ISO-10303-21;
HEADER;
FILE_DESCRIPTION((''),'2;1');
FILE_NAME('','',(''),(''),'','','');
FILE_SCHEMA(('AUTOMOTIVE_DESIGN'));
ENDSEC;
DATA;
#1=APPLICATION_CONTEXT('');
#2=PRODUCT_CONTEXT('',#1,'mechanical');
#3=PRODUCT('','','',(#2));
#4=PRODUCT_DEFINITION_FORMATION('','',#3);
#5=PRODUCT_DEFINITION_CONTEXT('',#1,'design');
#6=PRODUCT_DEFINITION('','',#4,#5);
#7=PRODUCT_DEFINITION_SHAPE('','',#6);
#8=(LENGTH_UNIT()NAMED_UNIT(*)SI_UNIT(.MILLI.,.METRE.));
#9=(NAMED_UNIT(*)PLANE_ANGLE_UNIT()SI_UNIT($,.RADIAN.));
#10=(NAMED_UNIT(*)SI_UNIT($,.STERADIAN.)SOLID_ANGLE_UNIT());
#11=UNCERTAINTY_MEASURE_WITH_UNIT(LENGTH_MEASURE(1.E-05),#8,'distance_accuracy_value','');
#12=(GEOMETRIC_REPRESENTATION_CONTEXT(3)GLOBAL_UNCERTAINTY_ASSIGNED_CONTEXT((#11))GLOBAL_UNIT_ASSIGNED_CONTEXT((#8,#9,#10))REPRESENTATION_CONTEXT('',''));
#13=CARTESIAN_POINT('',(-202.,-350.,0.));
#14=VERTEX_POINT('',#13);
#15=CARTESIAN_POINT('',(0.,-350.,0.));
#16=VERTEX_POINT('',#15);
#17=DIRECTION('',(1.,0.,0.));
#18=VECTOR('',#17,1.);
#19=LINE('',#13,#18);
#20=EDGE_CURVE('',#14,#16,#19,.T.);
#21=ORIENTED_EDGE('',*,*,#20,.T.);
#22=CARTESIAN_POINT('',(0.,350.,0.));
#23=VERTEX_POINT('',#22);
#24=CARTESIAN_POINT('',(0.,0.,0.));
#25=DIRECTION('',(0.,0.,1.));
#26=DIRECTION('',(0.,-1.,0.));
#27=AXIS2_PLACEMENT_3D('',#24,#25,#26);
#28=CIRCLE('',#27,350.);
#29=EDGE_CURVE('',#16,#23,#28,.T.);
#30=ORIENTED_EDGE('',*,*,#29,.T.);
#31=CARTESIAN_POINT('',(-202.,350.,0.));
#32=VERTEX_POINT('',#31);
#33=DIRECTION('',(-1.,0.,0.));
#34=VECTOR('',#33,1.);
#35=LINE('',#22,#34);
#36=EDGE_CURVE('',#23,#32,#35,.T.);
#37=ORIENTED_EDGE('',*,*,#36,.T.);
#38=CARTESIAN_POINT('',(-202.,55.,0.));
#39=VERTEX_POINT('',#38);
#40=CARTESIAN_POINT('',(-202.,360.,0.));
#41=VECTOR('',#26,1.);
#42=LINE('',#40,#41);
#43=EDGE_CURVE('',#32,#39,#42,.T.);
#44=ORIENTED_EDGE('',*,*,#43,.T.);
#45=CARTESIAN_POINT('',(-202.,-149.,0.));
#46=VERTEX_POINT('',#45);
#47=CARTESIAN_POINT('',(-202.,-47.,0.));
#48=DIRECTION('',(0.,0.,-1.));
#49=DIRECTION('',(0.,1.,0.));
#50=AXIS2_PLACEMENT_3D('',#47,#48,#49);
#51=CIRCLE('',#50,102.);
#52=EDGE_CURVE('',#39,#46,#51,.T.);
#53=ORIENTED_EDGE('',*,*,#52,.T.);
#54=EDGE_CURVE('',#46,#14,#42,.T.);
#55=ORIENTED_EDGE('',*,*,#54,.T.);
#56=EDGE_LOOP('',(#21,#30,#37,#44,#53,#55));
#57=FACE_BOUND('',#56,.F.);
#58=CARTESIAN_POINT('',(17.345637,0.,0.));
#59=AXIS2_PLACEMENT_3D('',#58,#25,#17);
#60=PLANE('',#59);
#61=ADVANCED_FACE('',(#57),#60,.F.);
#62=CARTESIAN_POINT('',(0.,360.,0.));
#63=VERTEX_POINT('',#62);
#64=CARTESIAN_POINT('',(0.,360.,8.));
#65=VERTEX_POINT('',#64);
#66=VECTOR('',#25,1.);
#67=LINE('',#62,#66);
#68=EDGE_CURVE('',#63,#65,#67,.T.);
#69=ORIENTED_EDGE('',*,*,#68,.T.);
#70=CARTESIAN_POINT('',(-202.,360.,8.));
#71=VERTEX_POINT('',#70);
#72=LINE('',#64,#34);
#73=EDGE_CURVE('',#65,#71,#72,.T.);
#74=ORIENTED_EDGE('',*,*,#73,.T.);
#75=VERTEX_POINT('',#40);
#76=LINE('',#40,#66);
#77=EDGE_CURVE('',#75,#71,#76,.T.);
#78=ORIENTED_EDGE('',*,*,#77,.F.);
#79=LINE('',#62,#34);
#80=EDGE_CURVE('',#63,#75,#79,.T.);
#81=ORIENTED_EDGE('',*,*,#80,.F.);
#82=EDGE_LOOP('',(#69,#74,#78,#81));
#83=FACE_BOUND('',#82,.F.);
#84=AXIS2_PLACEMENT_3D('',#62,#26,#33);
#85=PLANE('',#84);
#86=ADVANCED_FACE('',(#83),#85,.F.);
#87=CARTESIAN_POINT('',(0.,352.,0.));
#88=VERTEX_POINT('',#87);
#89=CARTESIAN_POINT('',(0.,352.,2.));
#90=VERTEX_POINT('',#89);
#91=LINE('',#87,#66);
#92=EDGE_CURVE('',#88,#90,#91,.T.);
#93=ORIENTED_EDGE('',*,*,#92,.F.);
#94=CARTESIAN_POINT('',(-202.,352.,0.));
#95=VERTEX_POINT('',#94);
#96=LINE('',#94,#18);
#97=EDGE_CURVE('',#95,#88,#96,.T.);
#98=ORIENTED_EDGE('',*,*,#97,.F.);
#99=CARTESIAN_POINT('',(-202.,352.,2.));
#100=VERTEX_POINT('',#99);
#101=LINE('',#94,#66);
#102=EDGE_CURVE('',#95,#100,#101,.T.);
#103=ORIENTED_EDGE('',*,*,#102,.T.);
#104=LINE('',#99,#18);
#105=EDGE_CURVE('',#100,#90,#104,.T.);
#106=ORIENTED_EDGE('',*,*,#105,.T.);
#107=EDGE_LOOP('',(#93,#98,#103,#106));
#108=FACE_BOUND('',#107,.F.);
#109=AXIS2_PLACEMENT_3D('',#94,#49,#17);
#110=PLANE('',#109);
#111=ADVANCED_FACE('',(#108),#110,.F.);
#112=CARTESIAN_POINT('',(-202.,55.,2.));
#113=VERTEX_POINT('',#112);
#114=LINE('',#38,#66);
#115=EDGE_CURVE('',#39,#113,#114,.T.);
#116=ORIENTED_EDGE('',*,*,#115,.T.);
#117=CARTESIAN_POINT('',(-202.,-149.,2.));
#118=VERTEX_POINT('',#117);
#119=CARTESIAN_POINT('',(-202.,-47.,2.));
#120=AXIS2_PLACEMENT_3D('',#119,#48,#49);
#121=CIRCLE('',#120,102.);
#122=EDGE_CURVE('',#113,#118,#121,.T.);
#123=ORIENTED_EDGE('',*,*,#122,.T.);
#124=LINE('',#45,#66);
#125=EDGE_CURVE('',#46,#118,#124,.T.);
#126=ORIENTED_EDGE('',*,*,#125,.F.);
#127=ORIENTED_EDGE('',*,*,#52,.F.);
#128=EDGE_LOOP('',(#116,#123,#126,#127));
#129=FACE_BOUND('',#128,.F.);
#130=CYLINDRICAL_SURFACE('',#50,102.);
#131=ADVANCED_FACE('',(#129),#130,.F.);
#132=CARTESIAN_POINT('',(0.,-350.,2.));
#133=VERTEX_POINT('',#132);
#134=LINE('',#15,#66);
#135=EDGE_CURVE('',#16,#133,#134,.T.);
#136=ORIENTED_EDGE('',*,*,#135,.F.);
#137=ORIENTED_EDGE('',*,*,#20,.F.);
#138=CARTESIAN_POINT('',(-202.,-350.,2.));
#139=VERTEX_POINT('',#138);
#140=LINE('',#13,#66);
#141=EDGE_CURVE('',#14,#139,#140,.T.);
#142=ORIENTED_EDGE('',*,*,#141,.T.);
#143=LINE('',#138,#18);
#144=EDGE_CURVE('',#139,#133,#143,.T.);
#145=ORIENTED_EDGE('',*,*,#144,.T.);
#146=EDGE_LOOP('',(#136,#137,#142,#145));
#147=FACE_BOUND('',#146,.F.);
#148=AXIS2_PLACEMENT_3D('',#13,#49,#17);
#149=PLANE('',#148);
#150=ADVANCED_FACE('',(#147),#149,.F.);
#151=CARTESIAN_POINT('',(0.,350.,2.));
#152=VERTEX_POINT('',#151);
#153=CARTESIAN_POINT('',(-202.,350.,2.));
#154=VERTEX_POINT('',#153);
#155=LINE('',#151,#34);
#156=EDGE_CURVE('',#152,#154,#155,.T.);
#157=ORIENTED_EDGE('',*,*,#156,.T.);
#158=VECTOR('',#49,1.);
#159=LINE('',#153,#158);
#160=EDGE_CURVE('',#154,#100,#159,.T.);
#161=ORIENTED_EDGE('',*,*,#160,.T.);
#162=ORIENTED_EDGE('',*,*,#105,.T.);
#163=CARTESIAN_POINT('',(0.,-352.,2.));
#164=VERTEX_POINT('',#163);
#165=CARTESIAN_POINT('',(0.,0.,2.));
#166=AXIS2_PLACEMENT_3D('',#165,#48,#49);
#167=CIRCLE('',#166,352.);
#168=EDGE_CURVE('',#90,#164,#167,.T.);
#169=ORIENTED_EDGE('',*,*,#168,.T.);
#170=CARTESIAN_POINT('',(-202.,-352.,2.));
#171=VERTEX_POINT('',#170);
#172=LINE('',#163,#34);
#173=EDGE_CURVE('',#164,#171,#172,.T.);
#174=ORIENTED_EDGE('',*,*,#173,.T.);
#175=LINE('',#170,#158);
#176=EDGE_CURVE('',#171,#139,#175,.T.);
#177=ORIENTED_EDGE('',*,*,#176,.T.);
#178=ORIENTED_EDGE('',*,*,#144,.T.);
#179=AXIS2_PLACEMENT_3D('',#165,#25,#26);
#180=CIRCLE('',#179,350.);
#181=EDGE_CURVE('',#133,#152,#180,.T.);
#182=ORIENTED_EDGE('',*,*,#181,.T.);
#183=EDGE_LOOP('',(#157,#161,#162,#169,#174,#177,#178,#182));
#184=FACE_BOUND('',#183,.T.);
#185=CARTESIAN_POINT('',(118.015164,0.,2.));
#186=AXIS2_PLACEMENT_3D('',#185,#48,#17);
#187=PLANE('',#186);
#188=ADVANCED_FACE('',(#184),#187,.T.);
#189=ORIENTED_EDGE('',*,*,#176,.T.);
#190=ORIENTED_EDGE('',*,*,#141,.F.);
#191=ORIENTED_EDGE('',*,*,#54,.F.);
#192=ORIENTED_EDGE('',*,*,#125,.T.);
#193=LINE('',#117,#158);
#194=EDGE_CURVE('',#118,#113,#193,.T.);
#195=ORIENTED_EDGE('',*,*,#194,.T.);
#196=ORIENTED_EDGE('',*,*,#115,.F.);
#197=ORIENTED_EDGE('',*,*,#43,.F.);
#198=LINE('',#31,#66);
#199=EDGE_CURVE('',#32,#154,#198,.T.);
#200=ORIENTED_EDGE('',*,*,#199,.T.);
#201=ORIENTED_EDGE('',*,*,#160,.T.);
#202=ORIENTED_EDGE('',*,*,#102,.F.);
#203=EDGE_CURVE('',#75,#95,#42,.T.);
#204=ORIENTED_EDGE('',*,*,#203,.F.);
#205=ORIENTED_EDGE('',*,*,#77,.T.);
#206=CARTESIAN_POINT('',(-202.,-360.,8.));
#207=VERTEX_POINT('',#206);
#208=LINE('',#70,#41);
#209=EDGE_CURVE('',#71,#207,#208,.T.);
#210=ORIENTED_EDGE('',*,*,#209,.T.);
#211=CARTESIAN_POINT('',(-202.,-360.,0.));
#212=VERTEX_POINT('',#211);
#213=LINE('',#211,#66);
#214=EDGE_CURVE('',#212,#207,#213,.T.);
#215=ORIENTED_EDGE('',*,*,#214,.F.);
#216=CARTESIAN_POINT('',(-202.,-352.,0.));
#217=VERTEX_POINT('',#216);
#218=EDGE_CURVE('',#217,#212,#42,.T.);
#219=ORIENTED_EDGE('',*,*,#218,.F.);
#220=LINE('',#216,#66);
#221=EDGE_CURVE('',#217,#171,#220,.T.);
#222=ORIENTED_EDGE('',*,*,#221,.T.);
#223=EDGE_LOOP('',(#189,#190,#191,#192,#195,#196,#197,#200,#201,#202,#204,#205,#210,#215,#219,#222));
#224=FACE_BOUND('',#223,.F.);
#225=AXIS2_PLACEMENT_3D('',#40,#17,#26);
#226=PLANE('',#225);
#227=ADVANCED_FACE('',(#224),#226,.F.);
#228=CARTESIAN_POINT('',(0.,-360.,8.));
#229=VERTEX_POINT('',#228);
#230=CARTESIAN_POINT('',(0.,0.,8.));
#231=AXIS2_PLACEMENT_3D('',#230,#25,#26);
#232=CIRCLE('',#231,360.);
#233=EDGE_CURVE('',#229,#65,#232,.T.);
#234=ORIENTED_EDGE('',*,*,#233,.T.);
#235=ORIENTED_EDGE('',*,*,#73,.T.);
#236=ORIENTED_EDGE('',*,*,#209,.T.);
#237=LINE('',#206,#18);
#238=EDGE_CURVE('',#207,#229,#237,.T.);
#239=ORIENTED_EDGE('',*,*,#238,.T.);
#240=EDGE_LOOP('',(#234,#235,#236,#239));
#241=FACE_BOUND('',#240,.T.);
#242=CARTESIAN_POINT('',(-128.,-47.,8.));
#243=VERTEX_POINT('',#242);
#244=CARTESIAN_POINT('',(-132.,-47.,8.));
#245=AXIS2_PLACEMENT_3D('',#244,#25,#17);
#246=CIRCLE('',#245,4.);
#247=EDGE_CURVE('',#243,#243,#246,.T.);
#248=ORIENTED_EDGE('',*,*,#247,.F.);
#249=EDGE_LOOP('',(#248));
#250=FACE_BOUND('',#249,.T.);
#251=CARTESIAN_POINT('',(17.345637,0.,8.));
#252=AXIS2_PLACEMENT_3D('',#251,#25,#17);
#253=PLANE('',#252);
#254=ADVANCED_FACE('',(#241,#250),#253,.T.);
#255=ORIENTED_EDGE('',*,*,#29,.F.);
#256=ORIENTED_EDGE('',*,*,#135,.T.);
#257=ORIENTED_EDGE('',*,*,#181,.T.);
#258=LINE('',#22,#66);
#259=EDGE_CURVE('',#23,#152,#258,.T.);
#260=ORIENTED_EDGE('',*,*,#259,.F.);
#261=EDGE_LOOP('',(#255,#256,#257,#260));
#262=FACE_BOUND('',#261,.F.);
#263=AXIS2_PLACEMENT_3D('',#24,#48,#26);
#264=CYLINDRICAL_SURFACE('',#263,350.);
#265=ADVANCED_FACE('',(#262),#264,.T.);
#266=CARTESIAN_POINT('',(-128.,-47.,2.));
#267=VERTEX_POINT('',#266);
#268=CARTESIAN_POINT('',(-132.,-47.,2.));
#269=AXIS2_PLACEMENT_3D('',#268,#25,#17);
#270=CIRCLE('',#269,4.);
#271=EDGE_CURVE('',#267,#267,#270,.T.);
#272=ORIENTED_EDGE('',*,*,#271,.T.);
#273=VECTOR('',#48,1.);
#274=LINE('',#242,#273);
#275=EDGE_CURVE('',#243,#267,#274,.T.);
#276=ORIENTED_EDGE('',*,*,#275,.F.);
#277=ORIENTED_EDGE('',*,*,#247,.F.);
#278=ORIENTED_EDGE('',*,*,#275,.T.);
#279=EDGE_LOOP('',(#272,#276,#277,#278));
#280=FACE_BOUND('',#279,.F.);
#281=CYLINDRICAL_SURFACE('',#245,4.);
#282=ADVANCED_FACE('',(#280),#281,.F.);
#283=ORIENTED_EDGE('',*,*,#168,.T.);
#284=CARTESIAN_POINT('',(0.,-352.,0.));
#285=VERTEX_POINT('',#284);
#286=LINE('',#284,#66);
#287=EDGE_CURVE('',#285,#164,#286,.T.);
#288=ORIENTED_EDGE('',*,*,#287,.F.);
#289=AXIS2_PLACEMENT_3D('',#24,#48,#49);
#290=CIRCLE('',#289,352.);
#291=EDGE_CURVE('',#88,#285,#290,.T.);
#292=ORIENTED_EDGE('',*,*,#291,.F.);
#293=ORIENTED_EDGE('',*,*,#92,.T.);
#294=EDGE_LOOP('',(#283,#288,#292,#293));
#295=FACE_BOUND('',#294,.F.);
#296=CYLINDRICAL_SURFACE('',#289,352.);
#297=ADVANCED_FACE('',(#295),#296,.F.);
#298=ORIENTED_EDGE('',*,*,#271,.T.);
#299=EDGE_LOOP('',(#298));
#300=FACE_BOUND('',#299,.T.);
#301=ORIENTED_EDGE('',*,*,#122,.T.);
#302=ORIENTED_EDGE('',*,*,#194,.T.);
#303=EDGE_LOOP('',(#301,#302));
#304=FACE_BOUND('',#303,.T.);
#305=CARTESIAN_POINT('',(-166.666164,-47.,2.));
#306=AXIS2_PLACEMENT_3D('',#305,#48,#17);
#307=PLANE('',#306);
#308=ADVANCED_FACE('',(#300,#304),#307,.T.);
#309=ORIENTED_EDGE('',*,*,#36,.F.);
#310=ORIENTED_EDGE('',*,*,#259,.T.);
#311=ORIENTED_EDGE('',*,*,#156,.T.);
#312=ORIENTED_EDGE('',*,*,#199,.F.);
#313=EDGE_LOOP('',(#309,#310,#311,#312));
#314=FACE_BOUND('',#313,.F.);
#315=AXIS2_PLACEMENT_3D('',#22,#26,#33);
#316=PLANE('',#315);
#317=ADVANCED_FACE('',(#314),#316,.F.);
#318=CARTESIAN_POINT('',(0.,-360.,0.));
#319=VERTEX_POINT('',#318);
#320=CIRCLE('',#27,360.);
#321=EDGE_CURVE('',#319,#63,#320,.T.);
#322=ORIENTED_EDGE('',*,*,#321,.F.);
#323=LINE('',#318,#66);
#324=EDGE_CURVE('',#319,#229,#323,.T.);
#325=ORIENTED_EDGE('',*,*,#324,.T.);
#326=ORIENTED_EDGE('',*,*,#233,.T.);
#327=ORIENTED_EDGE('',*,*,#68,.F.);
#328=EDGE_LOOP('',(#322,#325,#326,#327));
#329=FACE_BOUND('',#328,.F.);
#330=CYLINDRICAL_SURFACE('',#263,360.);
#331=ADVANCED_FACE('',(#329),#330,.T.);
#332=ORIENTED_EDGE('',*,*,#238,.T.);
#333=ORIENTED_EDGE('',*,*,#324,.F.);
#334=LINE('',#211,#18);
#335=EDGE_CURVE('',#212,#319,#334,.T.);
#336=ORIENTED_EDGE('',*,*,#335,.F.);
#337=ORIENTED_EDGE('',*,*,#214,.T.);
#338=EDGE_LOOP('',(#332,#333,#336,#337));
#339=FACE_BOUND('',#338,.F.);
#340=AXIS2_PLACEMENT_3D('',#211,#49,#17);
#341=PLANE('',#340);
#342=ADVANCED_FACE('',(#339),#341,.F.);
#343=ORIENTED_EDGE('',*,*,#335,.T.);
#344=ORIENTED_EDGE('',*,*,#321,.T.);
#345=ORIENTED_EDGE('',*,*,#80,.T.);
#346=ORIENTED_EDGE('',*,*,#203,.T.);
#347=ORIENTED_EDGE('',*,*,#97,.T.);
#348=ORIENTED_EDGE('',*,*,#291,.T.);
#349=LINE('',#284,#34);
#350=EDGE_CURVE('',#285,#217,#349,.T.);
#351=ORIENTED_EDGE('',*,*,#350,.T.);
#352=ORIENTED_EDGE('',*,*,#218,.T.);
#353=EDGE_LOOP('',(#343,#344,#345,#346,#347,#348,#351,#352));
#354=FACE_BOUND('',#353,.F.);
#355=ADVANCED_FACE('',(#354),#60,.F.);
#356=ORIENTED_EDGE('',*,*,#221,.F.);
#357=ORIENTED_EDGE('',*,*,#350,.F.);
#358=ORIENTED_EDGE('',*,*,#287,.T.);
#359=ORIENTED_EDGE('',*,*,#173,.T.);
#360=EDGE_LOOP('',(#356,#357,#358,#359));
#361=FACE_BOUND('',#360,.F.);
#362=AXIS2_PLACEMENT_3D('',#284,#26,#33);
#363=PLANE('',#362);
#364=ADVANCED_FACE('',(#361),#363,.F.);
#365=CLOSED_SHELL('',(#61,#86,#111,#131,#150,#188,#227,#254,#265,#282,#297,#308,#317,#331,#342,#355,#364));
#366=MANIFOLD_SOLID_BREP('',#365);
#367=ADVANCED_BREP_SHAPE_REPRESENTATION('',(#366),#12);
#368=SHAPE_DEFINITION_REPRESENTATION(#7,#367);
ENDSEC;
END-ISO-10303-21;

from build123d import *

# Parameters (mm, degrees)
F1_DEPTH = 8
F3_DEPTH = 2
F4_R     = 4
F5_DEPTH = 8
F7_DEPTH = 2


with BuildPart() as f1:
    # F0 (on Top) → F1 (new body)
    with BuildSketch(Plane.XY):
        with BuildLine():
            Line((-202, -360), (0, -360))
            ThreePointArc((0, -360), (360, 0), (0, 360))
            Line((0, 360), (-202, 360))
            Line((-202, 360), (-202, -360))
        make_face()
    extrude(amount=F1_DEPTH)

    # F2 (on face) → F3 (cut)
    with BuildSketch(Plane(origin=(0, 0, 0), x_dir=(1, 0, 0), z_dir=(0, 0, -1))):
        with BuildLine():
            ThreePointArc((0, 350), (350, 0), (0, -350))
            Line((0, -350), (-202, -350))
            Line((-202, -350), (-202, -352))
            Line((-202, -352), (0, -352))
            ThreePointArc((0, -352), (352, 0), (0, 352))
            Line((0, 352), (-202, 352))
            Line((-202, 352), (-202, 350))
            Line((-202, 350), (0, 350))
        make_face()
    extrude(amount=-F3_DEPTH, mode=Mode.SUBTRACT)

    # F4 (on face) → F5 (cut, through all)
    with BuildSketch(Plane.XY.offset(8)):
        with Locations((-132, -47)):
            Circle(F4_R)
    extrude(amount=-F5_DEPTH, mode=Mode.SUBTRACT)

    # F6 (on face) → F7 (cut)
    with BuildSketch(Plane(origin=(0, 0, 0), x_dir=(1, 0, 0), z_dir=(0, 0, -1))):
        with BuildLine():
            Line((-202, 149), (-202, -55))
            ThreePointArc((-202, -55), (-100, 47), (-202, 149))
        make_face()
    extrude(amount=-F7_DEPTH, mode=Mode.SUBTRACT)


solid = f1.part
